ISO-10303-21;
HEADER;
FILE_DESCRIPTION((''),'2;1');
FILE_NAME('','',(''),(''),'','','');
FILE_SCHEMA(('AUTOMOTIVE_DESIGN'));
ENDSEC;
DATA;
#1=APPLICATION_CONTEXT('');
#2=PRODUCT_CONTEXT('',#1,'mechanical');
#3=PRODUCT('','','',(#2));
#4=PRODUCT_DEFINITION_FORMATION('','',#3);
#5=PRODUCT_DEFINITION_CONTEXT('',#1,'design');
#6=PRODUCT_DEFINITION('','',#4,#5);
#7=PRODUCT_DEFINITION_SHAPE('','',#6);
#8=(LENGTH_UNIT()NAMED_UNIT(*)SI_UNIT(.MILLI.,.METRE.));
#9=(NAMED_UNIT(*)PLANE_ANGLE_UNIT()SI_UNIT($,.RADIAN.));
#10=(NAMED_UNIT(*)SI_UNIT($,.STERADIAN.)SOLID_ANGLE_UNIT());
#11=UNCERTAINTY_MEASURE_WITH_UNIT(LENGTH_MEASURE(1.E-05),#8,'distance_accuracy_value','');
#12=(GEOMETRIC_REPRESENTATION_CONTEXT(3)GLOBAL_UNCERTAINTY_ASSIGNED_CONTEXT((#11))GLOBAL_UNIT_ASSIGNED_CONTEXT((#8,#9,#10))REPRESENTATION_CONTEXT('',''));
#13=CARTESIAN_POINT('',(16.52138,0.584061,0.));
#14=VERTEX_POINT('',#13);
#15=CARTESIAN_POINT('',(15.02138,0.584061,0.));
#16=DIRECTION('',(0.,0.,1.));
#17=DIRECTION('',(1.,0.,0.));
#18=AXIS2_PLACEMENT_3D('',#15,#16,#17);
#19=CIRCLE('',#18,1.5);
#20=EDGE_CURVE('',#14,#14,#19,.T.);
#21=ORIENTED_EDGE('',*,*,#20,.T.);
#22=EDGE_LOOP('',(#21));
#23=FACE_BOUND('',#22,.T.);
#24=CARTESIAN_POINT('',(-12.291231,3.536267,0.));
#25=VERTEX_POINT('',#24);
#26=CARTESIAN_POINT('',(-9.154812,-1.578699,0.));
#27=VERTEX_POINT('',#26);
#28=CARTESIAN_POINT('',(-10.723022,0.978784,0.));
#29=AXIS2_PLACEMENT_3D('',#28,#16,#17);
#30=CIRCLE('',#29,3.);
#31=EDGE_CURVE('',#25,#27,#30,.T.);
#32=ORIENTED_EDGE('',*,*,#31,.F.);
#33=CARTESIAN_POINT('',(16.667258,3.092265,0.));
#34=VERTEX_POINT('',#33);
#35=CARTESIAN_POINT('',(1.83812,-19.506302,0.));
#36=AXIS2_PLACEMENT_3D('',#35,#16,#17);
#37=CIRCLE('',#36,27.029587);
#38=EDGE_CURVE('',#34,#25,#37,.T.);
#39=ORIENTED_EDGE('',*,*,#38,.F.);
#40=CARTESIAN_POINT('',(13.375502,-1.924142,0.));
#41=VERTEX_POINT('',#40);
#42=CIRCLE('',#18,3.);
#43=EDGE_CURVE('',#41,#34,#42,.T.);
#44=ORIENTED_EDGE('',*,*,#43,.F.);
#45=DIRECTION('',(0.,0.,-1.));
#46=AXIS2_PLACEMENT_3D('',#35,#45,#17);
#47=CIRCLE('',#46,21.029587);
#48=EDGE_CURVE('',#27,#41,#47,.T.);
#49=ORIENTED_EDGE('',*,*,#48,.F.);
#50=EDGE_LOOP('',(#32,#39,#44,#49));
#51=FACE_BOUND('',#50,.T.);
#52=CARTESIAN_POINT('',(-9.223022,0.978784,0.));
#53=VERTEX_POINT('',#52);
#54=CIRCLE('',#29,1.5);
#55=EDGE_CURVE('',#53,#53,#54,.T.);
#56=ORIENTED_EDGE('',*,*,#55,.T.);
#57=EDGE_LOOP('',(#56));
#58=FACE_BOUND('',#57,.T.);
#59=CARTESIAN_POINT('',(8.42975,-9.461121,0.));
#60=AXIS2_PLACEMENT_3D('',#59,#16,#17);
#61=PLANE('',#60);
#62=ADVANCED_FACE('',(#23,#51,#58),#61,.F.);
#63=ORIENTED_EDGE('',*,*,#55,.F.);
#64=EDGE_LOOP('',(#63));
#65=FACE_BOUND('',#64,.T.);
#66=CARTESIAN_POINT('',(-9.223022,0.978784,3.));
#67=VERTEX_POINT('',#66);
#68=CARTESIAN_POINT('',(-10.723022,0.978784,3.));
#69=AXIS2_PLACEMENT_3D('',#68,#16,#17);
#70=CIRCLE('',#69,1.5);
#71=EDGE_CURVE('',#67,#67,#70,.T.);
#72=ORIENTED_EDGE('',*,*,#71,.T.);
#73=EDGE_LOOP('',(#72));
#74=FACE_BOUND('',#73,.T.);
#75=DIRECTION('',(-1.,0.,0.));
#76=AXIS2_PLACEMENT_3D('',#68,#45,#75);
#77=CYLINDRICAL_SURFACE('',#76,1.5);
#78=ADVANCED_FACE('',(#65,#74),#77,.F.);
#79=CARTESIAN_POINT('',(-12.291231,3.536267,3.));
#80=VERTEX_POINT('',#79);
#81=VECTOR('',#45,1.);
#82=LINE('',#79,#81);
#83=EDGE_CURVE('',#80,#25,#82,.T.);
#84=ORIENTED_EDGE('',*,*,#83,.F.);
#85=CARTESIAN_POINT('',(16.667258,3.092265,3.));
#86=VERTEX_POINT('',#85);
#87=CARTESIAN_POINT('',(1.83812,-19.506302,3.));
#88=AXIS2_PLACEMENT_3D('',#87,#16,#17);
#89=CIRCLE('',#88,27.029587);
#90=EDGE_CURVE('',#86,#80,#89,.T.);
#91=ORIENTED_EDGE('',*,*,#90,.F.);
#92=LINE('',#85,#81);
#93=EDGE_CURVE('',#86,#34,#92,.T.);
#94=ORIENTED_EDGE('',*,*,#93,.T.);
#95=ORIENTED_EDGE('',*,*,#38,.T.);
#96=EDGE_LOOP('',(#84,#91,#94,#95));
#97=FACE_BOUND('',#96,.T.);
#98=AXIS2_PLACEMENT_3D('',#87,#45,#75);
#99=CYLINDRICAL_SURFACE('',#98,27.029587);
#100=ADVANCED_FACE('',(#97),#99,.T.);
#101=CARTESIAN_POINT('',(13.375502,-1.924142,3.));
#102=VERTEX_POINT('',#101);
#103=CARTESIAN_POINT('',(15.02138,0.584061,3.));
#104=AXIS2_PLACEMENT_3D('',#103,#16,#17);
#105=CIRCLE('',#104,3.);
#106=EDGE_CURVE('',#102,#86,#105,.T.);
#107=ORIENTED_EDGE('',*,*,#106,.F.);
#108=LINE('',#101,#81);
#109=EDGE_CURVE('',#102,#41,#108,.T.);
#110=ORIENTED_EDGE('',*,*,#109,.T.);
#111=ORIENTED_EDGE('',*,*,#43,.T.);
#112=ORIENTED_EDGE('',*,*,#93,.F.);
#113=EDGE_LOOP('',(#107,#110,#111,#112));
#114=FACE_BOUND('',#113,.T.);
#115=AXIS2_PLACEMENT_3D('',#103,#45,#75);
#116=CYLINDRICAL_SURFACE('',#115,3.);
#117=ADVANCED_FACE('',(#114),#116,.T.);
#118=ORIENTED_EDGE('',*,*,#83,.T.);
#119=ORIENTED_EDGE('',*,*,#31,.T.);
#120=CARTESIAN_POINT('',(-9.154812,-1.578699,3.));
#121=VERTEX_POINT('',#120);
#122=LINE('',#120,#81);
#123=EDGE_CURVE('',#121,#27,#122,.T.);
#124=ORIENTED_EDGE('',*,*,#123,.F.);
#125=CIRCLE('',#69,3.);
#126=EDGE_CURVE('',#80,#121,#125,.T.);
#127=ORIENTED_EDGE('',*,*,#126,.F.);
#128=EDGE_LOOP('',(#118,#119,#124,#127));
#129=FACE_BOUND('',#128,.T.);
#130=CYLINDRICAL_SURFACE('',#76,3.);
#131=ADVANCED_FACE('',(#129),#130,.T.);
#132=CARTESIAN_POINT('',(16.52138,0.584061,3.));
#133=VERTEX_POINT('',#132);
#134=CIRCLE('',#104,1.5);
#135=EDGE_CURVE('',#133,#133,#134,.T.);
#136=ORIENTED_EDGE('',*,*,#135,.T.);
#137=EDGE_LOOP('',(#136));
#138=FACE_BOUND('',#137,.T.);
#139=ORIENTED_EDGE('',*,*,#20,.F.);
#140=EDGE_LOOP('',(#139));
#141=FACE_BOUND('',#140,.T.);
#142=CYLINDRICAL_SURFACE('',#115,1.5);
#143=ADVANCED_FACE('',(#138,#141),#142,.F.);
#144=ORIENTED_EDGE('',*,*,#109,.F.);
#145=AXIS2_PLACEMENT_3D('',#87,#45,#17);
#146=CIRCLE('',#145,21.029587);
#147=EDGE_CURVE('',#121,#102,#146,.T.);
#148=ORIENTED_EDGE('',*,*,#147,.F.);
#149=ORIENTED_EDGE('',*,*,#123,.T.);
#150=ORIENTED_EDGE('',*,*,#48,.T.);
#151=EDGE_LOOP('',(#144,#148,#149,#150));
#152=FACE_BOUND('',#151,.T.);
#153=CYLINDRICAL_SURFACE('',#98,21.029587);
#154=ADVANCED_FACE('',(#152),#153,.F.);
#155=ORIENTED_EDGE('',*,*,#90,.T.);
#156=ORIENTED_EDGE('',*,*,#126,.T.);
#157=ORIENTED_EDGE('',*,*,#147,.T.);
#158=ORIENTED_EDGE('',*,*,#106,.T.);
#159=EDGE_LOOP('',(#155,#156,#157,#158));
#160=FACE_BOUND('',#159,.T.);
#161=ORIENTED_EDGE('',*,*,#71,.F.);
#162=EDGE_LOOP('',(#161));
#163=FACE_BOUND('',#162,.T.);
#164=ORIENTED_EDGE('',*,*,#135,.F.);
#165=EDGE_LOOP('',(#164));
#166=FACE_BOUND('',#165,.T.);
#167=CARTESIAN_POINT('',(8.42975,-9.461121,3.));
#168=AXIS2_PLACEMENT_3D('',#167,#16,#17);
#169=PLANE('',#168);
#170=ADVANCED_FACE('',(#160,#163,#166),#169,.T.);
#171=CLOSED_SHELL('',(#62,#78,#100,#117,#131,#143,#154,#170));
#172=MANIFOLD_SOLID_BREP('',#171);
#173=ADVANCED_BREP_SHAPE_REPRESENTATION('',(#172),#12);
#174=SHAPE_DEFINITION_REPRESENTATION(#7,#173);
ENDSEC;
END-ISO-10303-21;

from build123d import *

# Parameters (mm, degrees)
SKETCH1_R           = 1.5
BOSS_EXTRUDE1_DEPTH = 3


with BuildPart() as part:
    # Sketch1 → Boss-Extrude1 (new body)
    with BuildSketch(Plane.XY):
        with BuildLine():
            ThreePointArc((16.667258487, 3.092264578), (2.252499278, 7.520108125), (-12.291231068, 3.536267122))
            ThreePointArc((-12.291231068, 3.536267122), (-13.280504589, -0.589425292), (-9.154812174, -1.578698813))
            ThreePointArc((-9.154812174, -1.578698813), (2.160515814, 1.520813246), (13.375501545, -1.924142128))
            ThreePointArc((13.375501545, -1.924142128), (17.529583369, -1.061817246), (16.667258487, 3.092264578))
        make_face()
        with Locations((-10.723021621, 0.978784155)):
            Circle(SKETCH1_R, mode=Mode.SUBTRACT)
        with Locations((15.021380016, 0.584061225)):
            Circle(SKETCH1_R, mode=Mode.SUBTRACT)
    extrude(amount=BOSS_EXTRUDE1_DEPTH)


solid = part.part
